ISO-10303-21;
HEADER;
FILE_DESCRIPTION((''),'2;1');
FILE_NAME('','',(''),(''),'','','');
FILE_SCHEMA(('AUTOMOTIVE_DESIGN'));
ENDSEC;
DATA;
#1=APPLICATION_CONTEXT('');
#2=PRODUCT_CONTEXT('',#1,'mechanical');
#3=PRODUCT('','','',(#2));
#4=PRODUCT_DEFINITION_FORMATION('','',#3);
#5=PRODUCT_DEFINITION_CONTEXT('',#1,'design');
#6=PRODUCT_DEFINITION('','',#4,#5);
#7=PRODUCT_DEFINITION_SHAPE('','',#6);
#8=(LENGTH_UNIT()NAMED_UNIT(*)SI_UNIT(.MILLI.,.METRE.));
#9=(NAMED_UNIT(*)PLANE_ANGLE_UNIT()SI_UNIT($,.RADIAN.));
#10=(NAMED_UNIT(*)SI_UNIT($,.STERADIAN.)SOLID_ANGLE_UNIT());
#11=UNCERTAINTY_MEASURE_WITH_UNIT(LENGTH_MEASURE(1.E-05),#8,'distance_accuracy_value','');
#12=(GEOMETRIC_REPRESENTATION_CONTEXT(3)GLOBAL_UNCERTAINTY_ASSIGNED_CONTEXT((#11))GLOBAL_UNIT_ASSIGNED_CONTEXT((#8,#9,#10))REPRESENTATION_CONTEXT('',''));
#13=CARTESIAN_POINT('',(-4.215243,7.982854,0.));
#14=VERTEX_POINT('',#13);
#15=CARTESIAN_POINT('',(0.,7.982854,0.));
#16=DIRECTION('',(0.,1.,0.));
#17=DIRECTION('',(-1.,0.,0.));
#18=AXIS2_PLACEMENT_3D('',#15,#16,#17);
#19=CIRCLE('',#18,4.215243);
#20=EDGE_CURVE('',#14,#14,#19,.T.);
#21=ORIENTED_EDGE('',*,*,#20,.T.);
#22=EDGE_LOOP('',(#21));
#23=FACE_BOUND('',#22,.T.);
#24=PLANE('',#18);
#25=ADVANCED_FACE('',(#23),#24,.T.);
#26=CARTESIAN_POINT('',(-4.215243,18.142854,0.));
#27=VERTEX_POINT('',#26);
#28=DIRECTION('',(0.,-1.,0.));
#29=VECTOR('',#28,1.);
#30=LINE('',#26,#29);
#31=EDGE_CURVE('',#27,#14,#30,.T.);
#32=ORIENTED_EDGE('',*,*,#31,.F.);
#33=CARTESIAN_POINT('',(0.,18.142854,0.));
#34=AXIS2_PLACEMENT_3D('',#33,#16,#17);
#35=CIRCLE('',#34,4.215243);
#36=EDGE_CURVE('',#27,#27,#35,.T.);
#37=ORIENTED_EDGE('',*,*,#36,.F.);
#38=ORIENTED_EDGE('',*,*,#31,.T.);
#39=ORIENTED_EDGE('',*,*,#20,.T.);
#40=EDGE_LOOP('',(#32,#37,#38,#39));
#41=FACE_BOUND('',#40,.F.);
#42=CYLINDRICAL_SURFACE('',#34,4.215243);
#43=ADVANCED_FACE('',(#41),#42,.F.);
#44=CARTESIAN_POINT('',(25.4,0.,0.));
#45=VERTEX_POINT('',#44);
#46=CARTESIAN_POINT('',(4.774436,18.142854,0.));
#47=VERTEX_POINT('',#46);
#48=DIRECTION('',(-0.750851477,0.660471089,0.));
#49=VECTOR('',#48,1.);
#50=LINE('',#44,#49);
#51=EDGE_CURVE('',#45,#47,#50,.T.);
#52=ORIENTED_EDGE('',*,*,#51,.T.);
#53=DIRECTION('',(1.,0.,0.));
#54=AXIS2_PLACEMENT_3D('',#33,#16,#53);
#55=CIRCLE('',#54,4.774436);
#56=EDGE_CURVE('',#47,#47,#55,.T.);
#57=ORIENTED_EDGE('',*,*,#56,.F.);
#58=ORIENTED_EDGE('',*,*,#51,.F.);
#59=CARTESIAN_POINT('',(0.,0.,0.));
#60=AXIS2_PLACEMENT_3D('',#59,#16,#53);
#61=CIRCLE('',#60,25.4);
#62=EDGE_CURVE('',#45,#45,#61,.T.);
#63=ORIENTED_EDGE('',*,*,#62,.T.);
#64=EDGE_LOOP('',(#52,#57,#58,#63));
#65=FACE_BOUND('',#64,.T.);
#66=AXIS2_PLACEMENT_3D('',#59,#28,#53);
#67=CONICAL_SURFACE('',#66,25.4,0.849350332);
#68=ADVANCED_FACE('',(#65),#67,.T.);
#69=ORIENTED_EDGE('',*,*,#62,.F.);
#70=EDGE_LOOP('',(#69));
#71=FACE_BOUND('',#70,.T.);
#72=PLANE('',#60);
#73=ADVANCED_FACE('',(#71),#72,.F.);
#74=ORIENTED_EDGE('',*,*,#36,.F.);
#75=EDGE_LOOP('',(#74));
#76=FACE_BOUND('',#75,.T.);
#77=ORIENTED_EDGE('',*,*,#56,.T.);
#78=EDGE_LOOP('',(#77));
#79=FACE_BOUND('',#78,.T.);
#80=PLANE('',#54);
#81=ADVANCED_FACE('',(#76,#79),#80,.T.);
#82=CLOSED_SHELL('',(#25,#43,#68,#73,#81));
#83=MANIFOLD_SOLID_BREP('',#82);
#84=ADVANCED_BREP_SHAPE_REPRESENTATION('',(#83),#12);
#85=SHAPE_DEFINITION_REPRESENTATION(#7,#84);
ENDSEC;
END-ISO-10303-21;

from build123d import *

# Parameters (mm, degrees)
F2_R     = 4.215243
F3_DEPTH = 10.16


with BuildPart() as f1:
    # F0 (on Top) → F1 (revolve)
    with BuildSketch(Plane.XY):
        Polygon((0, 18.142854), (0, 0), (25.4, 0), (4.774436, 18.142854), align=None)
    revolve(axis=Axis((0, 9.071427, 0), (0, 1, 0)))

    # F2 (on face) → F3 (cut)
    with BuildSketch(Plane(origin=(0, 18.142854, 0), x_dir=(-1, 0, 0), z_dir=(0, 1, 0))):
        Circle(F2_R)
    extrude(amount=-F3_DEPTH, mode=Mode.SUBTRACT)


solid = f1.part
